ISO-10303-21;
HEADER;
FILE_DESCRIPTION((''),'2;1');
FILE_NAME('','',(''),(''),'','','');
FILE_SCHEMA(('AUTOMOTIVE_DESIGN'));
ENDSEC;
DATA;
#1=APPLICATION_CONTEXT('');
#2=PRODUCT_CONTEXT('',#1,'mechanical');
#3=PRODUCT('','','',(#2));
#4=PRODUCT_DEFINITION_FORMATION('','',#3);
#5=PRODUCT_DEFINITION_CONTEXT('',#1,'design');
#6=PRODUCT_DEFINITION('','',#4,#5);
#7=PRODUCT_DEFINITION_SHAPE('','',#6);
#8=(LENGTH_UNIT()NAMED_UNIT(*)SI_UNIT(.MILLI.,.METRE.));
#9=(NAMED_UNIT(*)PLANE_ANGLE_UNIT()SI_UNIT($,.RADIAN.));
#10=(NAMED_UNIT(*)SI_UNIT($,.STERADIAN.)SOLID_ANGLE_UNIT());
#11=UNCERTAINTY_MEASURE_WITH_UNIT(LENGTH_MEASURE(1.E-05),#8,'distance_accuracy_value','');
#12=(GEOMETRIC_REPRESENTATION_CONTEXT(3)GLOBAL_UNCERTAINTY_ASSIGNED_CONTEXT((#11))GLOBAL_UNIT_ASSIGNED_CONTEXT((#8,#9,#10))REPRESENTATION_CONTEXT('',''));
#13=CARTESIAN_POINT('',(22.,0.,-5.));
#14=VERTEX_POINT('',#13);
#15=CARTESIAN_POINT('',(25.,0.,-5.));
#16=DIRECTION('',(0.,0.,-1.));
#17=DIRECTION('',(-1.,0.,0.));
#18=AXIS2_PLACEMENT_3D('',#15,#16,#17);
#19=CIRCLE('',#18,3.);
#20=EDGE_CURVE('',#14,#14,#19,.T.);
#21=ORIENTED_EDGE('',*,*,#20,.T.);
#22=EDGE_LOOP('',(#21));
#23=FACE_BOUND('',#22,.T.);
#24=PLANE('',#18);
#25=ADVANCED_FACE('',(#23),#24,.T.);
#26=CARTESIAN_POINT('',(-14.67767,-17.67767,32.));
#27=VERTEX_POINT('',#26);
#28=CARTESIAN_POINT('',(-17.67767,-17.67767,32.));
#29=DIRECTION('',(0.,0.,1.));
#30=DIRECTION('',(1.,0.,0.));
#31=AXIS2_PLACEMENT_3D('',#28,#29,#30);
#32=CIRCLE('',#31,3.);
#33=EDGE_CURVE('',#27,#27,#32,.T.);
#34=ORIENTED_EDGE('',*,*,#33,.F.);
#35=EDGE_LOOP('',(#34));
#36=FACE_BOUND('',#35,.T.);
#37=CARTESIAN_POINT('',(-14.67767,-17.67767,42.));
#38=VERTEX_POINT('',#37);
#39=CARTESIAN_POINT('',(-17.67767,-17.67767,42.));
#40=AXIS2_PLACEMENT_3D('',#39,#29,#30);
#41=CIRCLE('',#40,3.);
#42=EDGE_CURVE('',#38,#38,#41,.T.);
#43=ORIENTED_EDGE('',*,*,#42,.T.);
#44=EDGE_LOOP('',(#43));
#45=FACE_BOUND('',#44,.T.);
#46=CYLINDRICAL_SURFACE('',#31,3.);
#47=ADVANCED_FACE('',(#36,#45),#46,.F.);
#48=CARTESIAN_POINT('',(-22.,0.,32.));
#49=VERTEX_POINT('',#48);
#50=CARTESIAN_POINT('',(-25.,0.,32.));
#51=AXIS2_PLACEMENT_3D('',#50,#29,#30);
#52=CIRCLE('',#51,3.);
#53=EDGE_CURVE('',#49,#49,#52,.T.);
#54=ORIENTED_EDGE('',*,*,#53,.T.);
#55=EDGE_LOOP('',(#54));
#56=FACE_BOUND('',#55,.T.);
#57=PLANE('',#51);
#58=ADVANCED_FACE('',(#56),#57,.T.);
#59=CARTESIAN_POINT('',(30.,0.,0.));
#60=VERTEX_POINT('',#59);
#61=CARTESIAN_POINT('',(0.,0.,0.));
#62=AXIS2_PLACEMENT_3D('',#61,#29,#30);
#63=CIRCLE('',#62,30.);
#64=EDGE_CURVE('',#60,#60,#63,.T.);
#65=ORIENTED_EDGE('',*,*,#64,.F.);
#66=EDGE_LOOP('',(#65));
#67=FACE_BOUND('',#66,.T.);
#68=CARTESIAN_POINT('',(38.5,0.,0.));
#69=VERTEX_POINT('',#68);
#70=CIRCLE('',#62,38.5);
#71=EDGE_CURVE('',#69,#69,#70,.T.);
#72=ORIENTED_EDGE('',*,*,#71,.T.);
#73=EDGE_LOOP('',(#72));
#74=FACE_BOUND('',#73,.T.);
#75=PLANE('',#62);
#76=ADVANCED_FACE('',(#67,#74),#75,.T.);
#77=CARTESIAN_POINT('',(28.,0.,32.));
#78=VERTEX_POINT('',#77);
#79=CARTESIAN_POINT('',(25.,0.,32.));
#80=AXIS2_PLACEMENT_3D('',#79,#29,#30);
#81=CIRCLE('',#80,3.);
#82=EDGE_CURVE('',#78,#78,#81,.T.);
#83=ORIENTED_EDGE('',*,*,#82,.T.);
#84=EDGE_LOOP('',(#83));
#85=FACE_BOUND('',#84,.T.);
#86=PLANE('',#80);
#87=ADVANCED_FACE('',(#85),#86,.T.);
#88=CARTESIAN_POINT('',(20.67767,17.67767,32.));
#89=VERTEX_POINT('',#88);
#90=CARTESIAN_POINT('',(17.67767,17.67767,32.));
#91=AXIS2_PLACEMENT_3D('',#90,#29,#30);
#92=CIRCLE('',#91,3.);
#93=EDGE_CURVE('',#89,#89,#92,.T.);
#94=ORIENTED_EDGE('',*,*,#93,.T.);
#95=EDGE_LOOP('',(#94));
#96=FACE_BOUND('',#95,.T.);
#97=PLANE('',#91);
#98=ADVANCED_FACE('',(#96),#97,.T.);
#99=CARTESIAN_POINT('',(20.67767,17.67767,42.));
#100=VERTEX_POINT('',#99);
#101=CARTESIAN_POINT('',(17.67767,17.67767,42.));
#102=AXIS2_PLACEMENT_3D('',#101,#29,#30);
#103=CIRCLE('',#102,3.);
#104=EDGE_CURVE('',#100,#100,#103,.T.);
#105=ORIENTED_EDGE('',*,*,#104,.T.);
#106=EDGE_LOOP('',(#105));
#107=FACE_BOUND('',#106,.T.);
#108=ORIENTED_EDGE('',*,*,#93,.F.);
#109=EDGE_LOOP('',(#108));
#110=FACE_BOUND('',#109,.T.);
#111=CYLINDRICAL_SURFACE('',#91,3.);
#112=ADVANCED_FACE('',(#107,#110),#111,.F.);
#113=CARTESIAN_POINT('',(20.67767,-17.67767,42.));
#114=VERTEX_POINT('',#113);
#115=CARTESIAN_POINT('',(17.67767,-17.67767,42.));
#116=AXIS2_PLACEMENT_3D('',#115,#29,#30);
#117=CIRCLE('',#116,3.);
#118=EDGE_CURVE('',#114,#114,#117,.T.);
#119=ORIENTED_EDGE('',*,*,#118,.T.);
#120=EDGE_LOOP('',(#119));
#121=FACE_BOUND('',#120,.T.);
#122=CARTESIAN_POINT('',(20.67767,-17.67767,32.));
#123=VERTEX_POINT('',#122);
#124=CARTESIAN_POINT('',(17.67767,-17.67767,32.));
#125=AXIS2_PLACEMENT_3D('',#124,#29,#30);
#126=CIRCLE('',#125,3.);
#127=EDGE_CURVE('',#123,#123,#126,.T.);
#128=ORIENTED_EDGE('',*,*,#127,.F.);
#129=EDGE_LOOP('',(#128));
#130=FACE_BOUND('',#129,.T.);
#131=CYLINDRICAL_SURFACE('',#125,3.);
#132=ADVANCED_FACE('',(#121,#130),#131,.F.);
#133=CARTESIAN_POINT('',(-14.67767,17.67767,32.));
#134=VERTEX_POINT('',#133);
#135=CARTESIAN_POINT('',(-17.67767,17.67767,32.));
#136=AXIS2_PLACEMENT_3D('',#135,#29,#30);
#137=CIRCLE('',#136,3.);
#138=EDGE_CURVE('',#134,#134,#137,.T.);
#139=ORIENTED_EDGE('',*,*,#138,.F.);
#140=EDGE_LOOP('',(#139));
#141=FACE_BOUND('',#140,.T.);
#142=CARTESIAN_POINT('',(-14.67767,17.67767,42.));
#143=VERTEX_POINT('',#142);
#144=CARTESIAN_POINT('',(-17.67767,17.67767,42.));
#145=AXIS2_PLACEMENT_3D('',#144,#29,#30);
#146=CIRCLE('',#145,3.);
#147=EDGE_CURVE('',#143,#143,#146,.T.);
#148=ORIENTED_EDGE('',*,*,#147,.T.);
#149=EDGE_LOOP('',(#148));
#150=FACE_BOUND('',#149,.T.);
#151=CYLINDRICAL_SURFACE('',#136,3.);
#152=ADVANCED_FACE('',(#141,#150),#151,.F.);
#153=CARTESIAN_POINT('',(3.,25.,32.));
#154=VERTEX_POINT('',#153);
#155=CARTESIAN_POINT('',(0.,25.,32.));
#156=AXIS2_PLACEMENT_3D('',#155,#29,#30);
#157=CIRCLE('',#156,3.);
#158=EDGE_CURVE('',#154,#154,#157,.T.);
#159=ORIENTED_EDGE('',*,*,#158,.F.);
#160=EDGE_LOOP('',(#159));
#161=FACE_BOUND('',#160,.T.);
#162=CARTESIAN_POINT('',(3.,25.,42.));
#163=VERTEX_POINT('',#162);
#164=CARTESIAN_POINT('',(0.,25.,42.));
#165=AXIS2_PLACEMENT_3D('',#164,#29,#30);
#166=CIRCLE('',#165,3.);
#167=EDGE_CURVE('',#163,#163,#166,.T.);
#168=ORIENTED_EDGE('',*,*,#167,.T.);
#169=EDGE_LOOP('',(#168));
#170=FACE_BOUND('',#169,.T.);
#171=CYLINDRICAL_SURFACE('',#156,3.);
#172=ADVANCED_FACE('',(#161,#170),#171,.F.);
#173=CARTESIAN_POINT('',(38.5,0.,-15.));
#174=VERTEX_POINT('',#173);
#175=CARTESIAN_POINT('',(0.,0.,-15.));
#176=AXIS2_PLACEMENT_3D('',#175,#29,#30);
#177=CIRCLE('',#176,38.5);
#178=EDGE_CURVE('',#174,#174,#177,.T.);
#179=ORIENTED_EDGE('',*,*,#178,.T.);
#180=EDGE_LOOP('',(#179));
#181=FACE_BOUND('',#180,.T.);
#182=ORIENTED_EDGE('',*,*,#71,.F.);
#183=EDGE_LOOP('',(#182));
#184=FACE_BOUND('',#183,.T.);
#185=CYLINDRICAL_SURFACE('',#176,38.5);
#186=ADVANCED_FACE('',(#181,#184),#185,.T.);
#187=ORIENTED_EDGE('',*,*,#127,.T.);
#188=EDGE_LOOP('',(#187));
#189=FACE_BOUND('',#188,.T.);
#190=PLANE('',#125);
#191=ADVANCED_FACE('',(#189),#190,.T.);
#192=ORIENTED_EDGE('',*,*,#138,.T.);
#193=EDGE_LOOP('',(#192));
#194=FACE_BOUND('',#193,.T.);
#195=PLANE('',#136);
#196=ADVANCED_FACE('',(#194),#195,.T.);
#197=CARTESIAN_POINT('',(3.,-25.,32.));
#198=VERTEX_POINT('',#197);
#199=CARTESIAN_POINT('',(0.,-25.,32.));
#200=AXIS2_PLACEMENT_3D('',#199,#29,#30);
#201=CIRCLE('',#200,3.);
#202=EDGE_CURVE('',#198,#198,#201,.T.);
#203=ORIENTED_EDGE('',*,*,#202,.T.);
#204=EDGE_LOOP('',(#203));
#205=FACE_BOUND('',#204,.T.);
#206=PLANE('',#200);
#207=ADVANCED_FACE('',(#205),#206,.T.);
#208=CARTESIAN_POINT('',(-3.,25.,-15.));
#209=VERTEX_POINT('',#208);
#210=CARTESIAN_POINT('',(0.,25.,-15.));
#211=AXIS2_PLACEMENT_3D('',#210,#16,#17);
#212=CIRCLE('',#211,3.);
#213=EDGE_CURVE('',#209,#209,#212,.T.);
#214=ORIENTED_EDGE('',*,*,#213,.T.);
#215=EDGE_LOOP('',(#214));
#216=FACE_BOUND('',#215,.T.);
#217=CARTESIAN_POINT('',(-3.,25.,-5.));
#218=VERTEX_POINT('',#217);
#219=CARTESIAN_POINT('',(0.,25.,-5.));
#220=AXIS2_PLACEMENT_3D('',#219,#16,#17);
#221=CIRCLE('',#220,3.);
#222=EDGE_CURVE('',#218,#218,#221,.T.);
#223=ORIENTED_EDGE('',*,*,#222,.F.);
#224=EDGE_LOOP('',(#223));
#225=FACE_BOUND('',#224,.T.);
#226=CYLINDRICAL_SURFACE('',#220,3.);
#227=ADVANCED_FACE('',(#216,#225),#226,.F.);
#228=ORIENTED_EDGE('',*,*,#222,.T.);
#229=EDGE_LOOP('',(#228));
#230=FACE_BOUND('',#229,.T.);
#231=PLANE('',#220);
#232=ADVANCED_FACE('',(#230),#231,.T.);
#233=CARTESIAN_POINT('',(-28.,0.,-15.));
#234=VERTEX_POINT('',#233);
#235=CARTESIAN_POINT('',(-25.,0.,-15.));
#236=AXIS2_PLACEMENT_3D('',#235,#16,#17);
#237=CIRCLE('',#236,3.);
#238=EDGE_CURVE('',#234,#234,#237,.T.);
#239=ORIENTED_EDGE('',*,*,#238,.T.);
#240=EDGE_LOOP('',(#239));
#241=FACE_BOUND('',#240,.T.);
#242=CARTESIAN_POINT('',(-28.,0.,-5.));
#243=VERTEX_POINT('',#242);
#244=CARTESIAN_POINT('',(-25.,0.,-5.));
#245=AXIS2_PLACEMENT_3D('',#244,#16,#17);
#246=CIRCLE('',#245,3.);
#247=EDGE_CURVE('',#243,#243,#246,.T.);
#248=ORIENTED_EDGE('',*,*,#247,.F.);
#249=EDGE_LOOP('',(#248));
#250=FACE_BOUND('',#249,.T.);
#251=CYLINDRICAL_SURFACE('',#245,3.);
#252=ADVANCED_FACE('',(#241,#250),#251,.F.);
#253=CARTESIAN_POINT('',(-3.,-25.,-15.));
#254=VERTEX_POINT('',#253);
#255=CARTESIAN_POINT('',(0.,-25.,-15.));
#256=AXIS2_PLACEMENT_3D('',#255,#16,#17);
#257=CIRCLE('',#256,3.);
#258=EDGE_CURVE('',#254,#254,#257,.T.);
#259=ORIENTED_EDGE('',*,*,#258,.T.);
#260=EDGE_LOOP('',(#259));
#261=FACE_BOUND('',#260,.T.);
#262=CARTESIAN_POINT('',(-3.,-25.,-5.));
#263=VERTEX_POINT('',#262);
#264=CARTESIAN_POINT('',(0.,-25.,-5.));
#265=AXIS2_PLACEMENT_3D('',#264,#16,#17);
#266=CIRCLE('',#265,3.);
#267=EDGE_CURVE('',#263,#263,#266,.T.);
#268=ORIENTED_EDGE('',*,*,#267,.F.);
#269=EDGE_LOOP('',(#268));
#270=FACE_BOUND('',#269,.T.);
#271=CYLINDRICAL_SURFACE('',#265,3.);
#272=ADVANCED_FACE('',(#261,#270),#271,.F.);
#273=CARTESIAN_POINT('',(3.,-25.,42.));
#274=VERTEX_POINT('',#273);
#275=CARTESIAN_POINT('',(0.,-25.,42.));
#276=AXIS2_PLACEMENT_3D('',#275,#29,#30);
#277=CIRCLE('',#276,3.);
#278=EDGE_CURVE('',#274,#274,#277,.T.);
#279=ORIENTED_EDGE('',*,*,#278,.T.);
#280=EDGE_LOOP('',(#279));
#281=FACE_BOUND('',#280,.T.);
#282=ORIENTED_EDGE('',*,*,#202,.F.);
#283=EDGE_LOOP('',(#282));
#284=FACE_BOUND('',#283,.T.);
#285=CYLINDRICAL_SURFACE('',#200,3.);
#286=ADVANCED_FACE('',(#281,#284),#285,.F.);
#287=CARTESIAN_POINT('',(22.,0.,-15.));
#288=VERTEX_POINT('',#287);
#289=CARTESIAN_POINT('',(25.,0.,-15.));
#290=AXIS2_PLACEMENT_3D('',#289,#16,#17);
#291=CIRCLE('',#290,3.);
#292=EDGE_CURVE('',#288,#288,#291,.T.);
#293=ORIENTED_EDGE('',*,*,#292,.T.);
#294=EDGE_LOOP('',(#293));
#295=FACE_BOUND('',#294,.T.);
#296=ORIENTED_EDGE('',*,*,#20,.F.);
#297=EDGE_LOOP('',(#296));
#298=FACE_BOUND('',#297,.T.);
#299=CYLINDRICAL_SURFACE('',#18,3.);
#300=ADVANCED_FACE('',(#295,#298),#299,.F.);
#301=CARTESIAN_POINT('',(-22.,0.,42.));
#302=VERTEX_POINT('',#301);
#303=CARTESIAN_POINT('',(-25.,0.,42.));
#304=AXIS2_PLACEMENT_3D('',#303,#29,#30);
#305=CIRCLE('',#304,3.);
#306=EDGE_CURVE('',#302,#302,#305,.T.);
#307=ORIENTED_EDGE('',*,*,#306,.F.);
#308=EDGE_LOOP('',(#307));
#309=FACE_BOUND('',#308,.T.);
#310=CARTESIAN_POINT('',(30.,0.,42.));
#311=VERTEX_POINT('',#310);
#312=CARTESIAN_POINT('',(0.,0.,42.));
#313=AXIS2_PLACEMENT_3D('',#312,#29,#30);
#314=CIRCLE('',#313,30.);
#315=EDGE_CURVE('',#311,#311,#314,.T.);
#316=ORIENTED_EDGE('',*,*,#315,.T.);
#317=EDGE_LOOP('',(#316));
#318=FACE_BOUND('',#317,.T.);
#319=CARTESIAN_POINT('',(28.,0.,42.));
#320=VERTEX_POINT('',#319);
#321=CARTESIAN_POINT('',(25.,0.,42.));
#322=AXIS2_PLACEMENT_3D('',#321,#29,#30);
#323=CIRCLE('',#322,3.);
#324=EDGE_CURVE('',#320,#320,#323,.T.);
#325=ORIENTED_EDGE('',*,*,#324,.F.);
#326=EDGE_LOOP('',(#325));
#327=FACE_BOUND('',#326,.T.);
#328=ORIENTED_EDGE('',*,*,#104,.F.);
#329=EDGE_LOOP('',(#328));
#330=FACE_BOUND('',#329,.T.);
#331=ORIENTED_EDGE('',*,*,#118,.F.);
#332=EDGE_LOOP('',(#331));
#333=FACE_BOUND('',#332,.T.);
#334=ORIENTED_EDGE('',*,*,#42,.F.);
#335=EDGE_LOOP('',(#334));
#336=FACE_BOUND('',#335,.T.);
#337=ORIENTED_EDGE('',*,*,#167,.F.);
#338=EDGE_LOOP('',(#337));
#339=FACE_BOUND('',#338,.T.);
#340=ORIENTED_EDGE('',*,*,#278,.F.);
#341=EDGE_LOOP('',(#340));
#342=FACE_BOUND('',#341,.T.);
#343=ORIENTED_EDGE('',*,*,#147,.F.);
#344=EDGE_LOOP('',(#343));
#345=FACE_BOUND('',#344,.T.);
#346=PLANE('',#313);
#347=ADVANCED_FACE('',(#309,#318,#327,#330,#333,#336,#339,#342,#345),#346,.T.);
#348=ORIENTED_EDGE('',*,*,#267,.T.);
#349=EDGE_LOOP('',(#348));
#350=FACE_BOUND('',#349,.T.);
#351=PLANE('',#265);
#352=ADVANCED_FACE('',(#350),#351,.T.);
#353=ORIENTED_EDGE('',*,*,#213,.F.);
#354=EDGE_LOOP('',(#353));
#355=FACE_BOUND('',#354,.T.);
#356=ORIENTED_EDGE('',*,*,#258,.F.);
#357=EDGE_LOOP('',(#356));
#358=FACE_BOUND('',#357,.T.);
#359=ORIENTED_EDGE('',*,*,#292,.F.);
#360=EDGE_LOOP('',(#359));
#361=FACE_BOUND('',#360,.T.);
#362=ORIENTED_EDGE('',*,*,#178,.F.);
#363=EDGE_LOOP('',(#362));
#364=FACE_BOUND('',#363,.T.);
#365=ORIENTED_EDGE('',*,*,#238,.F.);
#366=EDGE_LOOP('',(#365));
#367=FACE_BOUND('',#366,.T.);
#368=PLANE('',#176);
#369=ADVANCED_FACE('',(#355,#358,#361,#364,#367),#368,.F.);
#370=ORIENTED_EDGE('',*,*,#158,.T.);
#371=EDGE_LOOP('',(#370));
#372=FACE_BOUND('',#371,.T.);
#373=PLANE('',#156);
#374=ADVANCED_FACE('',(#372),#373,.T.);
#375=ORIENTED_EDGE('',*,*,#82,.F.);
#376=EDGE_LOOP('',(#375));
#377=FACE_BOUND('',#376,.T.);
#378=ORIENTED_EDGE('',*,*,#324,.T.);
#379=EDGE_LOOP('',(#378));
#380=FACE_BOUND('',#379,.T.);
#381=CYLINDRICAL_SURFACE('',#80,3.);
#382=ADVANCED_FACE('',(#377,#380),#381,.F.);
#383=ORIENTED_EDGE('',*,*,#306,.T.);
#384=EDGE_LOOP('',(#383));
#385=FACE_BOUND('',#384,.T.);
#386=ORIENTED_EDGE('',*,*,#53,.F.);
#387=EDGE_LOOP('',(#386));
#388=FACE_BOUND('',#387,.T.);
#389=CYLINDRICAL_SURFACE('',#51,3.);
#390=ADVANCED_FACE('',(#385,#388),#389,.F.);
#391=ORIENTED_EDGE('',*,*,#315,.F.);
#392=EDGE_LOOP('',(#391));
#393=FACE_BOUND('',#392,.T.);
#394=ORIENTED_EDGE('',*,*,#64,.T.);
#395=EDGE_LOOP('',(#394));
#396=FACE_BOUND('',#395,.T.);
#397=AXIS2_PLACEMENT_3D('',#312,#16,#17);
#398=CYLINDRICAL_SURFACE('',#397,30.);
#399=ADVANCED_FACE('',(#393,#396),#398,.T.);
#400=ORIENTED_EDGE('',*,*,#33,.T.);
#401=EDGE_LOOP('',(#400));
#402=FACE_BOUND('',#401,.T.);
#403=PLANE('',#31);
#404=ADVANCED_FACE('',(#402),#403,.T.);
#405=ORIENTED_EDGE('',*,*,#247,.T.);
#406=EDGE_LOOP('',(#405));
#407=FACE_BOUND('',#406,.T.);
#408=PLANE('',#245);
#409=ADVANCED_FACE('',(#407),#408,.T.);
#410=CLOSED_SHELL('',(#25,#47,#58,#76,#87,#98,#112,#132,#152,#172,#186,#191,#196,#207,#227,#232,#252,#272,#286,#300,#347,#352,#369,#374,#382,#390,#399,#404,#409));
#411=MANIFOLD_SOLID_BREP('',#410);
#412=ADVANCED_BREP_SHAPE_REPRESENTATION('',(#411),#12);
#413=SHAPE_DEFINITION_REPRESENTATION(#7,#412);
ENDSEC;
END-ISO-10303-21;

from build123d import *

# Parameters (mm, degrees)
SKETCH2_R           = 30
BOSS_EXTRUDE1_DEPTH = 42
SKETCH2_4_R         = 38.5
BOSS_EXTRUDE2_DEPTH = 15
SKETCH3_R           = 3
CUT_EXTRUDE1_DEPTH  = 10
CUT_EXTRUDE2_START  = -10
SKETCH4_R           = 3
CUT_EXTRUDE2_DEPTH  = 10


with BuildPart() as part:
    # Sketch2 → Boss-Extrude1 (new body)
    with BuildSketch(Plane.XY):
        Circle(SKETCH2_R)
    extrude(amount=BOSS_EXTRUDE1_DEPTH)

    # Sketch2<4> → Boss-Extrude2 (add)
    with BuildSketch(Plane.XY):
        Circle(SKETCH2_4_R)
    extrude(amount=-BOSS_EXTRUDE2_DEPTH)

    # Sketch3 → Cut-Extrude1 (cut)
    with BuildSketch(Plane(origin=(0, 0, -15), x_dir=(-1, 0, 0), z_dir=(0, 0, -1))):
        with Locations((0, 25)):
            Circle(SKETCH3_R)
        with Locations((25, 0)):
            Circle(SKETCH3_R)
        with Locations((0, -25)):
            Circle(SKETCH3_R)
        with Locations((-25, 0)):
            Circle(SKETCH3_R)
    extrude(amount=-CUT_EXTRUDE1_DEPTH, mode=Mode.SUBTRACT)

    # Sketch4 → Cut-Extrude2 (cut)
    with BuildSketch(Plane.XY.offset(42).offset(CUT_EXTRUDE2_START)):
        with Locations((0, 25)):
            Circle(SKETCH4_R)
        with Locations((17.67766953, 17.67766953)):
            Circle(SKETCH4_R)
        with Locations((25, 0)):
            Circle(SKETCH4_R)
        with Locations((17.67766953, -17.67766953)):
            Circle(SKETCH4_R)
        with Locations((0, -25)):
            Circle(SKETCH4_R)
        with Locations((-17.67766953, -17.67766953)):
            Circle(SKETCH4_R)
        with Locations((-25, 0)):
            Circle(SKETCH4_R)
        with Locations((-17.67766953, 17.67766953)):
            Circle(SKETCH4_R)
    extrude(amount=CUT_EXTRUDE2_DEPTH, mode=Mode.SUBTRACT)


solid = part.part
